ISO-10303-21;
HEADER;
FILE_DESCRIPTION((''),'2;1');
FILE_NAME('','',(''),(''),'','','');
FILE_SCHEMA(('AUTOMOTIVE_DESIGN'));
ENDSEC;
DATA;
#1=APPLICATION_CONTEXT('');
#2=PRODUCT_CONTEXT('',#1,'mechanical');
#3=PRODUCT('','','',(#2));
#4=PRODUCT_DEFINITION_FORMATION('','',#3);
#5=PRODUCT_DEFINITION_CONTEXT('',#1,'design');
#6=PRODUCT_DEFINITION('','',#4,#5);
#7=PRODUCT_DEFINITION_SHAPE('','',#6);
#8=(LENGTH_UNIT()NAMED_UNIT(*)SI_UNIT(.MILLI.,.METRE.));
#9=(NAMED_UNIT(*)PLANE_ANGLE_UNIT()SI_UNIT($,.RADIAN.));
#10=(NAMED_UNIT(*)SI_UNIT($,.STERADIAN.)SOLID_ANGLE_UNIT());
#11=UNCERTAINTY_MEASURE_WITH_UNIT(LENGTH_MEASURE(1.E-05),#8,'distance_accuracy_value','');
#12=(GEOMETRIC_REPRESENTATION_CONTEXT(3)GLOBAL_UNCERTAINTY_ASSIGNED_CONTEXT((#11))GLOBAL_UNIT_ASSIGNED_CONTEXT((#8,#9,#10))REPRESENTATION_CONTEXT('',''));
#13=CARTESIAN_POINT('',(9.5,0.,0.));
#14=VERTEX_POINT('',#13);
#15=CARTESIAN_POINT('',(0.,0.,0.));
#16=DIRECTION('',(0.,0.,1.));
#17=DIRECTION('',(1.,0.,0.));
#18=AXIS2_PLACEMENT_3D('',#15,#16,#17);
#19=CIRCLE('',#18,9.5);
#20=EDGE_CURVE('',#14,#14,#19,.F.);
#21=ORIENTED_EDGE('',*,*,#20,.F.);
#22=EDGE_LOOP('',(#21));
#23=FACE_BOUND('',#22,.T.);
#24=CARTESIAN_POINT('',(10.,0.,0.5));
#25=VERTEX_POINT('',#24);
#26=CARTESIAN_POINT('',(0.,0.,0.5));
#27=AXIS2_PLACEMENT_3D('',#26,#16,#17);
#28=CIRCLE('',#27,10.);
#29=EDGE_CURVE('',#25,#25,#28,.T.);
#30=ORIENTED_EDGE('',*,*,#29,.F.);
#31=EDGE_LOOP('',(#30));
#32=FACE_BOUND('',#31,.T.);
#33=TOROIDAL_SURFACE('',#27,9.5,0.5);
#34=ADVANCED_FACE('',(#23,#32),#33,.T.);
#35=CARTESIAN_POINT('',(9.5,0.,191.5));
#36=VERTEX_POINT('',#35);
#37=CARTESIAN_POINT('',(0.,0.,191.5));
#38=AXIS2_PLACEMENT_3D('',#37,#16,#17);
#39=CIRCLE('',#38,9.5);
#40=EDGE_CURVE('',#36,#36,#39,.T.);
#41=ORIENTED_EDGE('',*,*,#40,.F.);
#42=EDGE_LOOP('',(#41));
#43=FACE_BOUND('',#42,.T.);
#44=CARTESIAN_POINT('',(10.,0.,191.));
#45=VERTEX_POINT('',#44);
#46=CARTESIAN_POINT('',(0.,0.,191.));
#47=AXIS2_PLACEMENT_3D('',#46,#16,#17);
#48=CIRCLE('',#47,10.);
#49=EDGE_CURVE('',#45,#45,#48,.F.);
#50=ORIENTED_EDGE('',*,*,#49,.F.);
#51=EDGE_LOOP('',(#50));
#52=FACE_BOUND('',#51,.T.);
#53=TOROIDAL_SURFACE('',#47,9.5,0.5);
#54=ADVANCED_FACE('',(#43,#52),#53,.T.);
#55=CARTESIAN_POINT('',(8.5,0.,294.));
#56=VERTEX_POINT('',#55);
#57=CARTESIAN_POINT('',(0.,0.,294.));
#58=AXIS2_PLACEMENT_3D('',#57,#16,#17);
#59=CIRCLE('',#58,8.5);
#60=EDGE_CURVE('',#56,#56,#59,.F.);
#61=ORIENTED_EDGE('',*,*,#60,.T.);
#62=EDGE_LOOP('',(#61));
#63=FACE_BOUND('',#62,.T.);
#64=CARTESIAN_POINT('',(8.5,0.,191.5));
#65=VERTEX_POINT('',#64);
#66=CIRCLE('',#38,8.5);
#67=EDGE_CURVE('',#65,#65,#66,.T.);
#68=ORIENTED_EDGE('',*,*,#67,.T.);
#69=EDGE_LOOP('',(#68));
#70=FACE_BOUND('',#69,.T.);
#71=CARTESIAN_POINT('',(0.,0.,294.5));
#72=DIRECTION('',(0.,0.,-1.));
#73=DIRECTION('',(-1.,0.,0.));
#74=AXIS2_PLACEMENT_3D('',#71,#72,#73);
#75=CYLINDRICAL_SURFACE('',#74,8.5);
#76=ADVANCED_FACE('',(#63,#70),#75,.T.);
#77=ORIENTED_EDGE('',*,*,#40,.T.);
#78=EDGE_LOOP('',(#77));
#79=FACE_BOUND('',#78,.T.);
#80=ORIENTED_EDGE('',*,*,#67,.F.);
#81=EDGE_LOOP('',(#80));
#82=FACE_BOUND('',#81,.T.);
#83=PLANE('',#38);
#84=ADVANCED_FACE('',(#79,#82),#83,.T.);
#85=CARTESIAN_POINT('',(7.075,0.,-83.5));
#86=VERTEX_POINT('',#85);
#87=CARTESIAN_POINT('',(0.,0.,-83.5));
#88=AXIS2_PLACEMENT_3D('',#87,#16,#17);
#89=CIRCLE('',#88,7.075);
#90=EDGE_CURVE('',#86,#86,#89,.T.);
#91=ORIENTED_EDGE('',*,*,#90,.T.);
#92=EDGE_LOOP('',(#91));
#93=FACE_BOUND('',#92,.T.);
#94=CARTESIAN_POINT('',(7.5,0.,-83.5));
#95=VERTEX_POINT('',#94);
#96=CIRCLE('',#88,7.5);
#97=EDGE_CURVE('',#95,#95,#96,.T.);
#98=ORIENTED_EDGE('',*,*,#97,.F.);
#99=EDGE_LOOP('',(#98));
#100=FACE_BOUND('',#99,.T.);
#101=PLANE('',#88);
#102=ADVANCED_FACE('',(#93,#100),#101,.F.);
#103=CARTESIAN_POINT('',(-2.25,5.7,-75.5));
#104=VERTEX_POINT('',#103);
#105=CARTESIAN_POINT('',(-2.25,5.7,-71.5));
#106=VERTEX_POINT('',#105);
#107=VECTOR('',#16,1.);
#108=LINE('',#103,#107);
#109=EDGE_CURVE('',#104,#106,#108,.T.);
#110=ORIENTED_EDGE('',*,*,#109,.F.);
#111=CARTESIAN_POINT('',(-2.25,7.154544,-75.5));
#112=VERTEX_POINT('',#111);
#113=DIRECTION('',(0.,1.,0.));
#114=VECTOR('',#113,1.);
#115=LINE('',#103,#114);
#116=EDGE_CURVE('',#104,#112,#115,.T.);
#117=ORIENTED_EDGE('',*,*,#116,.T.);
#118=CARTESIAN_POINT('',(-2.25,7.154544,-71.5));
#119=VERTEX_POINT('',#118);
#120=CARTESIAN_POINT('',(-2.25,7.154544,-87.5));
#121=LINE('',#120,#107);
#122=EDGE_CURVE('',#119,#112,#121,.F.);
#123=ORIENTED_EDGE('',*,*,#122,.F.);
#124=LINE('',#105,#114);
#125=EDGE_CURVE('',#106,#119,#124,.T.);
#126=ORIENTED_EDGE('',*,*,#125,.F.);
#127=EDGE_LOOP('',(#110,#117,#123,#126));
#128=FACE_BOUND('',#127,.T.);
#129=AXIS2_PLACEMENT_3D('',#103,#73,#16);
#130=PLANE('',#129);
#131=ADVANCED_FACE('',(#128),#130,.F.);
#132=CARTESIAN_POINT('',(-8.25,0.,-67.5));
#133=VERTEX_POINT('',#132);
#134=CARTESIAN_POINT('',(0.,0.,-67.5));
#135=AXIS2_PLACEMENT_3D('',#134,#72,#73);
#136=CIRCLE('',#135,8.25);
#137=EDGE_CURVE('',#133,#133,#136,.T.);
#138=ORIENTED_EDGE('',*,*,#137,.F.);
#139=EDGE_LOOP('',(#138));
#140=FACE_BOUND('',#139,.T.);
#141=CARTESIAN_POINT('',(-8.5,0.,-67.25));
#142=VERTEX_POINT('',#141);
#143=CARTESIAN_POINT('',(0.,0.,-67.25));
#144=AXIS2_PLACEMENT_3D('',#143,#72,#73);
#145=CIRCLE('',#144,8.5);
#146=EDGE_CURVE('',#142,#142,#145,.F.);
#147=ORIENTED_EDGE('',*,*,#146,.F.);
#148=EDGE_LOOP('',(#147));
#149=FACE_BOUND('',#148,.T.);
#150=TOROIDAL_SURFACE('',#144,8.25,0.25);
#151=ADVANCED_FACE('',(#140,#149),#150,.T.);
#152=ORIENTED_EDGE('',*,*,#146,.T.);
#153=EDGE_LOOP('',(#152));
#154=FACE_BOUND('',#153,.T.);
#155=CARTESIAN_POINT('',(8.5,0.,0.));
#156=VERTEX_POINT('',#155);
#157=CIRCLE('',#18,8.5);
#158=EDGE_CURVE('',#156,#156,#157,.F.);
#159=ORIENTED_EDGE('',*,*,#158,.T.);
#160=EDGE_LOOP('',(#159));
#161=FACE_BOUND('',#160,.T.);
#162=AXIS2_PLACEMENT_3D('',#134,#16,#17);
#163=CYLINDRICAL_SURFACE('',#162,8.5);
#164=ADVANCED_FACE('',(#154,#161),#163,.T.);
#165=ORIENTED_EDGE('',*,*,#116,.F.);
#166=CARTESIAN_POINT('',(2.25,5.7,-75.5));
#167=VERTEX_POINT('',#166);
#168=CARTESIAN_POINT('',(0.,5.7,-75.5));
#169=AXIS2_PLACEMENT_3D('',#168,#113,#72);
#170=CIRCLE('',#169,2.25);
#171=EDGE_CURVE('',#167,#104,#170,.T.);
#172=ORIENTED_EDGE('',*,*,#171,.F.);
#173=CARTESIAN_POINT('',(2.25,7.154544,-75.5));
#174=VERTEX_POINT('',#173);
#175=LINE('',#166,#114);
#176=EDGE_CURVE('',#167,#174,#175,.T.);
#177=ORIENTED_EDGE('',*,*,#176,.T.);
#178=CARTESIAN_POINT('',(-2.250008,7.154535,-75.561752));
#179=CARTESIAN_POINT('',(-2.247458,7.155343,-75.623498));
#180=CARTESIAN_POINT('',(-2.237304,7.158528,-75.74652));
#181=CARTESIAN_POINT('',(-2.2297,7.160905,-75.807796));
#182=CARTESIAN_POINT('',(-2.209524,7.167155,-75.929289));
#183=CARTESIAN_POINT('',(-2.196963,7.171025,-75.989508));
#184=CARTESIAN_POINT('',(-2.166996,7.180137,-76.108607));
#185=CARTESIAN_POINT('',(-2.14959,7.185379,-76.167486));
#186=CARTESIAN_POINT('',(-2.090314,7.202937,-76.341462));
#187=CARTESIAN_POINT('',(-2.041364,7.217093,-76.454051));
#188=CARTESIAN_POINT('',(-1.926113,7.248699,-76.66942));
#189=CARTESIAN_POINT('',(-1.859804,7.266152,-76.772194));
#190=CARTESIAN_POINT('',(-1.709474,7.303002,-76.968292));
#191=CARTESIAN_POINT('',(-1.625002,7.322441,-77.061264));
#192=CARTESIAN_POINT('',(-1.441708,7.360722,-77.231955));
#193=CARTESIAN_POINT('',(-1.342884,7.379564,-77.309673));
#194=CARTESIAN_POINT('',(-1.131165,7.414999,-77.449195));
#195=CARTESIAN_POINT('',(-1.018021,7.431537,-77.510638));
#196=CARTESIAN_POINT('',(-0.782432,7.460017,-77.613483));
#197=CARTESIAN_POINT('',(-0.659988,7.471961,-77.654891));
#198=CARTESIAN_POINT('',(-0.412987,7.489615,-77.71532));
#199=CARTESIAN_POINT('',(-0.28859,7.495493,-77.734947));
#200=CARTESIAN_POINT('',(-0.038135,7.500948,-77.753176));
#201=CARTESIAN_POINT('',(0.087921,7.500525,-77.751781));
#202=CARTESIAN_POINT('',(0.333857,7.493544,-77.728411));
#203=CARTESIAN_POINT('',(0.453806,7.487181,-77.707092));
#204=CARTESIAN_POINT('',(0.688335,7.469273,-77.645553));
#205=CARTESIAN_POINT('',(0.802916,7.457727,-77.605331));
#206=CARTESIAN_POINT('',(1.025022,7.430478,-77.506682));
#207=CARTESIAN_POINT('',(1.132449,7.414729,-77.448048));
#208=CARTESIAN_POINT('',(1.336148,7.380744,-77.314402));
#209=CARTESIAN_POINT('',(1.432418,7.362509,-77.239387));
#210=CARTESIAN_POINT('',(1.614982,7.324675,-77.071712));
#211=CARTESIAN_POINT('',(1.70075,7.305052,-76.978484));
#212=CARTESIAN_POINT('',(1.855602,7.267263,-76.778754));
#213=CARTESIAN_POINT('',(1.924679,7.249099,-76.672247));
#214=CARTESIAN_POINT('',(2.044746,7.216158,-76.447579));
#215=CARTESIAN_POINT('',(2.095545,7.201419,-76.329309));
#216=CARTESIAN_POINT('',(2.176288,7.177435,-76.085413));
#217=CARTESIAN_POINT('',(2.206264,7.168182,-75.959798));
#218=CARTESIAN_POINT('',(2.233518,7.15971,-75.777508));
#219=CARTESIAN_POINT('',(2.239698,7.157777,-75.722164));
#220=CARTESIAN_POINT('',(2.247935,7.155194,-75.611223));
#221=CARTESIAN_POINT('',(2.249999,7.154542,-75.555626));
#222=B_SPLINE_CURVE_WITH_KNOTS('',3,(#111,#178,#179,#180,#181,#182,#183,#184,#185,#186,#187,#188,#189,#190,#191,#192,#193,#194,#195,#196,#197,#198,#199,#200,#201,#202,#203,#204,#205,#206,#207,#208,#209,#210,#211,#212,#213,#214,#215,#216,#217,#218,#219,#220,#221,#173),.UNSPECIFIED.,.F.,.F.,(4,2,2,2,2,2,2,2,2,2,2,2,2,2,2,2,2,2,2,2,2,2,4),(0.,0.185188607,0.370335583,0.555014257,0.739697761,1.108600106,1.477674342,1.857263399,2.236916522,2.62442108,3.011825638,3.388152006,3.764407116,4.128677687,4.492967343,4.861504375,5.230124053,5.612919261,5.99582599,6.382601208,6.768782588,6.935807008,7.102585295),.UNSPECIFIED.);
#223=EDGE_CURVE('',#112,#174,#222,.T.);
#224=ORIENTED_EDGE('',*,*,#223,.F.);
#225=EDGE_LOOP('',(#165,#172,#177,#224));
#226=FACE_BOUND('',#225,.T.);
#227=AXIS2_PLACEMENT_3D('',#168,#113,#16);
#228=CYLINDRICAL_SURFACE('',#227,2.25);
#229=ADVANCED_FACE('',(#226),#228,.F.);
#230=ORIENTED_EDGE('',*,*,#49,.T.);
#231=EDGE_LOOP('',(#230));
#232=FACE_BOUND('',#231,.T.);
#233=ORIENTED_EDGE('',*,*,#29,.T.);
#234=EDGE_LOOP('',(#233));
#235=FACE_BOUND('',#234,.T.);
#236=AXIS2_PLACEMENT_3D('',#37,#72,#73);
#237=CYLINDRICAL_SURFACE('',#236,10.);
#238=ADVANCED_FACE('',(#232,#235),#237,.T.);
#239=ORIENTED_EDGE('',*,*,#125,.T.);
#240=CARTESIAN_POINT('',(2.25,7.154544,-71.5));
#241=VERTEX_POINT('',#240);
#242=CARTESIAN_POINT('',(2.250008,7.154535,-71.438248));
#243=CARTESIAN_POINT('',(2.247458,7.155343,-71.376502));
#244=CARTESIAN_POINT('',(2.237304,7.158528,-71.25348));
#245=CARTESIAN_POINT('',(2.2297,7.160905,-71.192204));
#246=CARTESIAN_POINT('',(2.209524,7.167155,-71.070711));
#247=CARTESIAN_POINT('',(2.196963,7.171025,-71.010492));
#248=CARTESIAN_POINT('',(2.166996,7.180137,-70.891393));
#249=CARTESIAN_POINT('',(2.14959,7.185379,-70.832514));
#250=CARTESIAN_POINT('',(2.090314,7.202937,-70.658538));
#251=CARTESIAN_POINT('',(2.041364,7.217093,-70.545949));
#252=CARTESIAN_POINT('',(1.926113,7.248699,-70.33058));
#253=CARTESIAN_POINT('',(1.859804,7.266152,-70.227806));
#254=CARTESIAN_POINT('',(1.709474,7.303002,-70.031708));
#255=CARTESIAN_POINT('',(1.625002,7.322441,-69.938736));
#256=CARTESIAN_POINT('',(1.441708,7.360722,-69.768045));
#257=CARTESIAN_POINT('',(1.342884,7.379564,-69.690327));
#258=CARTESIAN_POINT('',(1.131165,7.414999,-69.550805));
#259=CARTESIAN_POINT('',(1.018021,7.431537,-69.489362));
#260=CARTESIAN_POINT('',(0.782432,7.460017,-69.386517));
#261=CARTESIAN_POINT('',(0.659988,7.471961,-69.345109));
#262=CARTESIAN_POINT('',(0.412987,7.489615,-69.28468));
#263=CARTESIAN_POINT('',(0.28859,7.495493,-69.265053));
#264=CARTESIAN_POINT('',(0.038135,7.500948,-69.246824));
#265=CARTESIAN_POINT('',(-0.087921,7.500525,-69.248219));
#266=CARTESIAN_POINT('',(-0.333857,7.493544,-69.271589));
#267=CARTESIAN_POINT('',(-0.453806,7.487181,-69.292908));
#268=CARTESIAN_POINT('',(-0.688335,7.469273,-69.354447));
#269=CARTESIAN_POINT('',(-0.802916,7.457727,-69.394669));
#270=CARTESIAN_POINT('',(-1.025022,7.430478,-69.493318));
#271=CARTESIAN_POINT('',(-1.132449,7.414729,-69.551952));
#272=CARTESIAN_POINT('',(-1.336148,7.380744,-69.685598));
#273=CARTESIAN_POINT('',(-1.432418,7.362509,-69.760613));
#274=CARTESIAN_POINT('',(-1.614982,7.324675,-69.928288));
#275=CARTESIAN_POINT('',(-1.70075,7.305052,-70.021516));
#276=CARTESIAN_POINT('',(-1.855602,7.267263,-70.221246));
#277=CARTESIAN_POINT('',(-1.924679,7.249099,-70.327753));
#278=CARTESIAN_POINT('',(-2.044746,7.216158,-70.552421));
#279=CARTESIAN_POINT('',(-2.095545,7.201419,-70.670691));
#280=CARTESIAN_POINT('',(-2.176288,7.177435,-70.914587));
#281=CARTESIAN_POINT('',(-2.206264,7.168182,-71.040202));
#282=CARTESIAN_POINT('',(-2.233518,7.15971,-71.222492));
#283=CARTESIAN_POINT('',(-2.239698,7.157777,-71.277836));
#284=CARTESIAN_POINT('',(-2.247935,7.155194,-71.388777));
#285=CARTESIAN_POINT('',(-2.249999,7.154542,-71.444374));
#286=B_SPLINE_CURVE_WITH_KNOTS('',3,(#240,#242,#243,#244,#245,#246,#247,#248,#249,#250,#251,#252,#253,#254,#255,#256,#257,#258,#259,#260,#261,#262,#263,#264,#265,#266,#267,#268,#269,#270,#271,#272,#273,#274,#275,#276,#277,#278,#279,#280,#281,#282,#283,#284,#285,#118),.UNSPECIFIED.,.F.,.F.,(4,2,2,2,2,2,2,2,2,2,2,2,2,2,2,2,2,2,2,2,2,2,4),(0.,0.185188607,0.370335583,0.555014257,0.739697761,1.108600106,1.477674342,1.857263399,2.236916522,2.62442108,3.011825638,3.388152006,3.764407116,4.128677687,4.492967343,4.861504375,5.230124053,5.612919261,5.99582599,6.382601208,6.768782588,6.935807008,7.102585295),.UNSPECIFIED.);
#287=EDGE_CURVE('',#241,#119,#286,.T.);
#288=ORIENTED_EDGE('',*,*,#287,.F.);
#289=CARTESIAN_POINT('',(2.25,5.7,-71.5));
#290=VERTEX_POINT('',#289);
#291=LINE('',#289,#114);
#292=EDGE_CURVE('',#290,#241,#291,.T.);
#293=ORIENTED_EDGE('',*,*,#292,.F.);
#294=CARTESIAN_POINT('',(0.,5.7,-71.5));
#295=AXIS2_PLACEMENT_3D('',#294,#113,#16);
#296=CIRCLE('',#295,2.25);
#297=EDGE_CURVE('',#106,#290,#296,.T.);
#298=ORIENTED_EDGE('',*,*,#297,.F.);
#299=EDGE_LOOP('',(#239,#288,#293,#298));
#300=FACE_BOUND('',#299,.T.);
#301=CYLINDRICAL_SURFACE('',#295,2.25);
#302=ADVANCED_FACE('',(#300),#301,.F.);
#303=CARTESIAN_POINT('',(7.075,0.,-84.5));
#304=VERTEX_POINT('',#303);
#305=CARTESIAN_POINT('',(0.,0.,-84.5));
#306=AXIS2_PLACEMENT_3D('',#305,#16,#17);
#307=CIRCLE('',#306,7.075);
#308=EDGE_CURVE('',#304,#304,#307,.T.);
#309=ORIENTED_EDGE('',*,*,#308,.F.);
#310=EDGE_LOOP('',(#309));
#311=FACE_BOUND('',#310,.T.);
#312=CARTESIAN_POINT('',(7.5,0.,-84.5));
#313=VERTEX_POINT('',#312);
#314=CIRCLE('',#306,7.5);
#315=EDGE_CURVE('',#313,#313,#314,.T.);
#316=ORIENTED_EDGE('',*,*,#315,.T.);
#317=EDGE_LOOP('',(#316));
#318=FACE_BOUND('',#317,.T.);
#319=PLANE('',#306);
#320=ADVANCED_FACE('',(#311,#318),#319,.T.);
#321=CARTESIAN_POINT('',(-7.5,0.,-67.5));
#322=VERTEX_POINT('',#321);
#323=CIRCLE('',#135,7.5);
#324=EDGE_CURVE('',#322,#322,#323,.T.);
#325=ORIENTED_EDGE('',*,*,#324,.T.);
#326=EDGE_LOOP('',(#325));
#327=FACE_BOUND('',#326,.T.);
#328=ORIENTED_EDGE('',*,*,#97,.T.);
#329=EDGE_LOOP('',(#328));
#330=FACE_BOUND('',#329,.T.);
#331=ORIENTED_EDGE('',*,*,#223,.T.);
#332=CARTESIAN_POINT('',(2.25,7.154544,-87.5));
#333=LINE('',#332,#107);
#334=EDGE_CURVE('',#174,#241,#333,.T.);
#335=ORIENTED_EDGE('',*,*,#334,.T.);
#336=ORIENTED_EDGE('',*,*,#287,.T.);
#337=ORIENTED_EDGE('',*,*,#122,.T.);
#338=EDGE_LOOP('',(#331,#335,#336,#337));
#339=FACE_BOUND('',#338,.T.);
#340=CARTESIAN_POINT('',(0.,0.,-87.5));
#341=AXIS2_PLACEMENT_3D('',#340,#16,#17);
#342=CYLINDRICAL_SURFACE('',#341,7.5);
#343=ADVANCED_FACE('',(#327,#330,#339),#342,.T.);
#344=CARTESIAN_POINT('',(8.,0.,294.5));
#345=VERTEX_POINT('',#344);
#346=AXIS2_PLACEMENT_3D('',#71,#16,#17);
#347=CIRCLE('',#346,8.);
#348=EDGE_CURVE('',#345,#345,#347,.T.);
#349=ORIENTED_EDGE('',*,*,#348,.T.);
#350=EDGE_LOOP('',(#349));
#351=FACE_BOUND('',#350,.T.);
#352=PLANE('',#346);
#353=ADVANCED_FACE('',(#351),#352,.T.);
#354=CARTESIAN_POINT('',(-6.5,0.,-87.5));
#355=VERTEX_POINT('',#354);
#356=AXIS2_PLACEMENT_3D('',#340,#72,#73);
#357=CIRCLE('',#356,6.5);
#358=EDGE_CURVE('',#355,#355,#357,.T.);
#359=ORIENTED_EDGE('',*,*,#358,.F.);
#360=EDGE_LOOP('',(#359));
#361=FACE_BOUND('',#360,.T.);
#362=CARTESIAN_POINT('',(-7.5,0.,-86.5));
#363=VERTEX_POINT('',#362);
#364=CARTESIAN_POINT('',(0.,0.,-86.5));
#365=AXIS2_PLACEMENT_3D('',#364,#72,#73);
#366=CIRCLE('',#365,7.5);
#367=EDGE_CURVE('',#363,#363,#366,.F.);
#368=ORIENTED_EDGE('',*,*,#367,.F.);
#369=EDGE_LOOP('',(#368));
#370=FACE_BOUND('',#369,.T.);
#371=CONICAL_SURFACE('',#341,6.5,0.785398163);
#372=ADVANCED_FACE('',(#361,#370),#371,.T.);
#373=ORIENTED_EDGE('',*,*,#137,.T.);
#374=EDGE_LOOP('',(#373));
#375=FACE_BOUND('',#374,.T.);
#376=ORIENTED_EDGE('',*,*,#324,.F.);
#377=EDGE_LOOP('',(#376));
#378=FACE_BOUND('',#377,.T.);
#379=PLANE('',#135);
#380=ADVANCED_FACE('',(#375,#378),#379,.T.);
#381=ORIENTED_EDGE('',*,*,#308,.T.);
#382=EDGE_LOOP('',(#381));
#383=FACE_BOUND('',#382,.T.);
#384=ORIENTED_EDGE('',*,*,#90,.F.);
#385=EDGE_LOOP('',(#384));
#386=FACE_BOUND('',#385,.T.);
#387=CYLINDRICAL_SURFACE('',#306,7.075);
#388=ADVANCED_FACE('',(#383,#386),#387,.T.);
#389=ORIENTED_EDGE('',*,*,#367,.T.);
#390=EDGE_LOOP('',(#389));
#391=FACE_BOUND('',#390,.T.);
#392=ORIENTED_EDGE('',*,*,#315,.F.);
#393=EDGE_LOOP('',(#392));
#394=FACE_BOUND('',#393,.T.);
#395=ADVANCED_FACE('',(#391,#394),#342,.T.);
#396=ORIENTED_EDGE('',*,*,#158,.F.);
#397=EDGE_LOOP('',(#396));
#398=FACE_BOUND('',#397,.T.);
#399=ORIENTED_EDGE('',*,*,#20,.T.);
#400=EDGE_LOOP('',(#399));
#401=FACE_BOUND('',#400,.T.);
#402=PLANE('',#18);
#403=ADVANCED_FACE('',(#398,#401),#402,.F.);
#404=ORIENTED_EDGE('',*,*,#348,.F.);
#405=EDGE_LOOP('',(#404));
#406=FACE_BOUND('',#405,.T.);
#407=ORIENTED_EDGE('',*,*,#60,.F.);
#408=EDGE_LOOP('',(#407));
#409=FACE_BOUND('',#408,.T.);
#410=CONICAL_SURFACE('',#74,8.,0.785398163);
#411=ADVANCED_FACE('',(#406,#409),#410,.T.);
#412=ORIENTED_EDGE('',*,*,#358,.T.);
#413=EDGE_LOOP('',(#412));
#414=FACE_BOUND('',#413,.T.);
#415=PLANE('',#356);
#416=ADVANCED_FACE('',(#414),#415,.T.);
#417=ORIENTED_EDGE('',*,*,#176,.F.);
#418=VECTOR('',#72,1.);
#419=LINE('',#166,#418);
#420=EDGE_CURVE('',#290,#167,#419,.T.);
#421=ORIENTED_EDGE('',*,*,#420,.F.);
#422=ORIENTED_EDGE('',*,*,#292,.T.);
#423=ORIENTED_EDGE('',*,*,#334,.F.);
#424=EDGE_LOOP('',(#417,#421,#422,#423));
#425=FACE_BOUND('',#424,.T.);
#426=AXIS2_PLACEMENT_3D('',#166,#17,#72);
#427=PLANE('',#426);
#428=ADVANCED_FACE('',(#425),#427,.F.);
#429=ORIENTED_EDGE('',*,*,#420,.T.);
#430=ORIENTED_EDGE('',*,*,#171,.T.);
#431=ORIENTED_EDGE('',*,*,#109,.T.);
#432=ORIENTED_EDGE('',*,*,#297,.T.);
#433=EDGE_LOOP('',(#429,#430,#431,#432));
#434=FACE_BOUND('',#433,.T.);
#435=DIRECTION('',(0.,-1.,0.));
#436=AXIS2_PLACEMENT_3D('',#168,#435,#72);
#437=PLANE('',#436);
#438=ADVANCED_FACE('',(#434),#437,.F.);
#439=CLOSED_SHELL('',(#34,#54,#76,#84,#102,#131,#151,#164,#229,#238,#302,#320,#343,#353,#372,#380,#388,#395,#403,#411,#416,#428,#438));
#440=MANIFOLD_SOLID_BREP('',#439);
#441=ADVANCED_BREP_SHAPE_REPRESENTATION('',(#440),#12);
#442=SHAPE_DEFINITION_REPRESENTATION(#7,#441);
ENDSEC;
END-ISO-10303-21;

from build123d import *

# Parameters (mm, degrees)
SKETCH1_R               = 10
BOSS_EXTRUDE1_DEPTH     = 191.5
SKETCH2_R               = 8.5
BOSS_EXTRUDE2_DEPTH     = 103
SKETCH4_R               = 8.5
BOSS_EXTRUDE3_DEPTH     = 67.5
FILLET1_R               = 0.5
FILLET2_R               = 0.5
SKETCH6_R               = 7.5
BOSS_EXTRUDE4_DEPTH     = 20
CUT_EXTRUDE1_DEPTH      = 1.8
SKETCH8_R               = 17.075
SKETCH8_R_2             = 7.075
CUT_EXTRUDE_THIN1_DEPTH = 1
FILLET3_R               = 0.25
CHAMFER1_SIZE           = 1
CHAMFER2_SIZE           = 0.5


with BuildPart() as part:
    # Sketch1 → Boss-Extrude1 (new body)
    with BuildSketch(Plane.XY):
        Circle(SKETCH1_R)
    extrude(amount=BOSS_EXTRUDE1_DEPTH)

    # Sketch2 → Boss-Extrude2 (add)
    with BuildSketch(Plane.XY.offset(191.5)):
        Circle(SKETCH2_R)
    extrude(amount=BOSS_EXTRUDE2_DEPTH)

    # Sketch4 → Boss-Extrude3 (add)
    with BuildSketch(Plane(origin=(0, 0, 0), x_dir=(-1, 0, 0), z_dir=(0, 0, -1))):
        Circle(SKETCH4_R)
    extrude(amount=BOSS_EXTRUDE3_DEPTH)

    # Fillet1
    fillet1_edges = [part.edges().sort_by_distance(p)[0] for p in [
        (-10, 0, 191.5),
    ]]
    fillet(fillet1_edges, radius=FILLET1_R)

    # Fillet2
    fillet2_edges = [part.edges().sort_by_distance(p)[0] for p in [
        (-10, 0, 0),
    ]]
    fillet(fillet2_edges, radius=FILLET2_R)

    # Sketch6 → Boss-Extrude4 (add)
    with BuildSketch(Plane(origin=(0, 0, -67.5), x_dir=(-1, 0, 0), z_dir=(0, 0, -1))):
        Circle(SKETCH6_R)
    extrude(amount=BOSS_EXTRUDE4_DEPTH)

    # Sketch7 → Cut-Extrude1 (cut)
    with BuildSketch(Plane(origin=(0, 7.5, 0), x_dir=(-1, 0, 0), z_dir=(0, 1, 0))):
        with BuildLine():
            Line((2.25, -75.5), (2.25, -71.5))
            ThreePointArc((2.25, -71.5), (0, -69.25), (-2.25, -71.5))
            Line((-2.25, -71.5), (-2.25, -75.5))
            ThreePointArc((-2.25, -75.5), (0, -77.75), (2.25, -75.5))
        make_face()
    extrude(amount=-CUT_EXTRUDE1_DEPTH, mode=Mode.SUBTRACT)

    # Sketch8 → Cut-Extrude-Thin1 (cut)
    with BuildSketch(Plane.XY.offset(-83.5)):
        Circle(SKETCH8_R)
        Circle(SKETCH8_R_2, mode=Mode.SUBTRACT)
    extrude(amount=-CUT_EXTRUDE_THIN1_DEPTH, mode=Mode.SUBTRACT)

    # Fillet3
    fillet3_edges = [part.edges().sort_by_distance(p)[0] for p in [
        (8.5, 0, -67.5),
    ]]
    fillet(fillet3_edges, radius=FILLET3_R)

    # Chamfer1
    chamfer1_edges = [part.edges().sort_by_distance(p)[0] for p in [
        (7.5, 0, -87.5),
    ]]
    chamfer(chamfer1_edges, length=CHAMFER1_SIZE)

    # Chamfer2
    chamfer2_edges = [part.edges().sort_by_distance(p)[0] for p in [
        (-8.5, 0, 294.5),
    ]]
    chamfer(chamfer2_edges, length=CHAMFER2_SIZE)


solid = part.part
